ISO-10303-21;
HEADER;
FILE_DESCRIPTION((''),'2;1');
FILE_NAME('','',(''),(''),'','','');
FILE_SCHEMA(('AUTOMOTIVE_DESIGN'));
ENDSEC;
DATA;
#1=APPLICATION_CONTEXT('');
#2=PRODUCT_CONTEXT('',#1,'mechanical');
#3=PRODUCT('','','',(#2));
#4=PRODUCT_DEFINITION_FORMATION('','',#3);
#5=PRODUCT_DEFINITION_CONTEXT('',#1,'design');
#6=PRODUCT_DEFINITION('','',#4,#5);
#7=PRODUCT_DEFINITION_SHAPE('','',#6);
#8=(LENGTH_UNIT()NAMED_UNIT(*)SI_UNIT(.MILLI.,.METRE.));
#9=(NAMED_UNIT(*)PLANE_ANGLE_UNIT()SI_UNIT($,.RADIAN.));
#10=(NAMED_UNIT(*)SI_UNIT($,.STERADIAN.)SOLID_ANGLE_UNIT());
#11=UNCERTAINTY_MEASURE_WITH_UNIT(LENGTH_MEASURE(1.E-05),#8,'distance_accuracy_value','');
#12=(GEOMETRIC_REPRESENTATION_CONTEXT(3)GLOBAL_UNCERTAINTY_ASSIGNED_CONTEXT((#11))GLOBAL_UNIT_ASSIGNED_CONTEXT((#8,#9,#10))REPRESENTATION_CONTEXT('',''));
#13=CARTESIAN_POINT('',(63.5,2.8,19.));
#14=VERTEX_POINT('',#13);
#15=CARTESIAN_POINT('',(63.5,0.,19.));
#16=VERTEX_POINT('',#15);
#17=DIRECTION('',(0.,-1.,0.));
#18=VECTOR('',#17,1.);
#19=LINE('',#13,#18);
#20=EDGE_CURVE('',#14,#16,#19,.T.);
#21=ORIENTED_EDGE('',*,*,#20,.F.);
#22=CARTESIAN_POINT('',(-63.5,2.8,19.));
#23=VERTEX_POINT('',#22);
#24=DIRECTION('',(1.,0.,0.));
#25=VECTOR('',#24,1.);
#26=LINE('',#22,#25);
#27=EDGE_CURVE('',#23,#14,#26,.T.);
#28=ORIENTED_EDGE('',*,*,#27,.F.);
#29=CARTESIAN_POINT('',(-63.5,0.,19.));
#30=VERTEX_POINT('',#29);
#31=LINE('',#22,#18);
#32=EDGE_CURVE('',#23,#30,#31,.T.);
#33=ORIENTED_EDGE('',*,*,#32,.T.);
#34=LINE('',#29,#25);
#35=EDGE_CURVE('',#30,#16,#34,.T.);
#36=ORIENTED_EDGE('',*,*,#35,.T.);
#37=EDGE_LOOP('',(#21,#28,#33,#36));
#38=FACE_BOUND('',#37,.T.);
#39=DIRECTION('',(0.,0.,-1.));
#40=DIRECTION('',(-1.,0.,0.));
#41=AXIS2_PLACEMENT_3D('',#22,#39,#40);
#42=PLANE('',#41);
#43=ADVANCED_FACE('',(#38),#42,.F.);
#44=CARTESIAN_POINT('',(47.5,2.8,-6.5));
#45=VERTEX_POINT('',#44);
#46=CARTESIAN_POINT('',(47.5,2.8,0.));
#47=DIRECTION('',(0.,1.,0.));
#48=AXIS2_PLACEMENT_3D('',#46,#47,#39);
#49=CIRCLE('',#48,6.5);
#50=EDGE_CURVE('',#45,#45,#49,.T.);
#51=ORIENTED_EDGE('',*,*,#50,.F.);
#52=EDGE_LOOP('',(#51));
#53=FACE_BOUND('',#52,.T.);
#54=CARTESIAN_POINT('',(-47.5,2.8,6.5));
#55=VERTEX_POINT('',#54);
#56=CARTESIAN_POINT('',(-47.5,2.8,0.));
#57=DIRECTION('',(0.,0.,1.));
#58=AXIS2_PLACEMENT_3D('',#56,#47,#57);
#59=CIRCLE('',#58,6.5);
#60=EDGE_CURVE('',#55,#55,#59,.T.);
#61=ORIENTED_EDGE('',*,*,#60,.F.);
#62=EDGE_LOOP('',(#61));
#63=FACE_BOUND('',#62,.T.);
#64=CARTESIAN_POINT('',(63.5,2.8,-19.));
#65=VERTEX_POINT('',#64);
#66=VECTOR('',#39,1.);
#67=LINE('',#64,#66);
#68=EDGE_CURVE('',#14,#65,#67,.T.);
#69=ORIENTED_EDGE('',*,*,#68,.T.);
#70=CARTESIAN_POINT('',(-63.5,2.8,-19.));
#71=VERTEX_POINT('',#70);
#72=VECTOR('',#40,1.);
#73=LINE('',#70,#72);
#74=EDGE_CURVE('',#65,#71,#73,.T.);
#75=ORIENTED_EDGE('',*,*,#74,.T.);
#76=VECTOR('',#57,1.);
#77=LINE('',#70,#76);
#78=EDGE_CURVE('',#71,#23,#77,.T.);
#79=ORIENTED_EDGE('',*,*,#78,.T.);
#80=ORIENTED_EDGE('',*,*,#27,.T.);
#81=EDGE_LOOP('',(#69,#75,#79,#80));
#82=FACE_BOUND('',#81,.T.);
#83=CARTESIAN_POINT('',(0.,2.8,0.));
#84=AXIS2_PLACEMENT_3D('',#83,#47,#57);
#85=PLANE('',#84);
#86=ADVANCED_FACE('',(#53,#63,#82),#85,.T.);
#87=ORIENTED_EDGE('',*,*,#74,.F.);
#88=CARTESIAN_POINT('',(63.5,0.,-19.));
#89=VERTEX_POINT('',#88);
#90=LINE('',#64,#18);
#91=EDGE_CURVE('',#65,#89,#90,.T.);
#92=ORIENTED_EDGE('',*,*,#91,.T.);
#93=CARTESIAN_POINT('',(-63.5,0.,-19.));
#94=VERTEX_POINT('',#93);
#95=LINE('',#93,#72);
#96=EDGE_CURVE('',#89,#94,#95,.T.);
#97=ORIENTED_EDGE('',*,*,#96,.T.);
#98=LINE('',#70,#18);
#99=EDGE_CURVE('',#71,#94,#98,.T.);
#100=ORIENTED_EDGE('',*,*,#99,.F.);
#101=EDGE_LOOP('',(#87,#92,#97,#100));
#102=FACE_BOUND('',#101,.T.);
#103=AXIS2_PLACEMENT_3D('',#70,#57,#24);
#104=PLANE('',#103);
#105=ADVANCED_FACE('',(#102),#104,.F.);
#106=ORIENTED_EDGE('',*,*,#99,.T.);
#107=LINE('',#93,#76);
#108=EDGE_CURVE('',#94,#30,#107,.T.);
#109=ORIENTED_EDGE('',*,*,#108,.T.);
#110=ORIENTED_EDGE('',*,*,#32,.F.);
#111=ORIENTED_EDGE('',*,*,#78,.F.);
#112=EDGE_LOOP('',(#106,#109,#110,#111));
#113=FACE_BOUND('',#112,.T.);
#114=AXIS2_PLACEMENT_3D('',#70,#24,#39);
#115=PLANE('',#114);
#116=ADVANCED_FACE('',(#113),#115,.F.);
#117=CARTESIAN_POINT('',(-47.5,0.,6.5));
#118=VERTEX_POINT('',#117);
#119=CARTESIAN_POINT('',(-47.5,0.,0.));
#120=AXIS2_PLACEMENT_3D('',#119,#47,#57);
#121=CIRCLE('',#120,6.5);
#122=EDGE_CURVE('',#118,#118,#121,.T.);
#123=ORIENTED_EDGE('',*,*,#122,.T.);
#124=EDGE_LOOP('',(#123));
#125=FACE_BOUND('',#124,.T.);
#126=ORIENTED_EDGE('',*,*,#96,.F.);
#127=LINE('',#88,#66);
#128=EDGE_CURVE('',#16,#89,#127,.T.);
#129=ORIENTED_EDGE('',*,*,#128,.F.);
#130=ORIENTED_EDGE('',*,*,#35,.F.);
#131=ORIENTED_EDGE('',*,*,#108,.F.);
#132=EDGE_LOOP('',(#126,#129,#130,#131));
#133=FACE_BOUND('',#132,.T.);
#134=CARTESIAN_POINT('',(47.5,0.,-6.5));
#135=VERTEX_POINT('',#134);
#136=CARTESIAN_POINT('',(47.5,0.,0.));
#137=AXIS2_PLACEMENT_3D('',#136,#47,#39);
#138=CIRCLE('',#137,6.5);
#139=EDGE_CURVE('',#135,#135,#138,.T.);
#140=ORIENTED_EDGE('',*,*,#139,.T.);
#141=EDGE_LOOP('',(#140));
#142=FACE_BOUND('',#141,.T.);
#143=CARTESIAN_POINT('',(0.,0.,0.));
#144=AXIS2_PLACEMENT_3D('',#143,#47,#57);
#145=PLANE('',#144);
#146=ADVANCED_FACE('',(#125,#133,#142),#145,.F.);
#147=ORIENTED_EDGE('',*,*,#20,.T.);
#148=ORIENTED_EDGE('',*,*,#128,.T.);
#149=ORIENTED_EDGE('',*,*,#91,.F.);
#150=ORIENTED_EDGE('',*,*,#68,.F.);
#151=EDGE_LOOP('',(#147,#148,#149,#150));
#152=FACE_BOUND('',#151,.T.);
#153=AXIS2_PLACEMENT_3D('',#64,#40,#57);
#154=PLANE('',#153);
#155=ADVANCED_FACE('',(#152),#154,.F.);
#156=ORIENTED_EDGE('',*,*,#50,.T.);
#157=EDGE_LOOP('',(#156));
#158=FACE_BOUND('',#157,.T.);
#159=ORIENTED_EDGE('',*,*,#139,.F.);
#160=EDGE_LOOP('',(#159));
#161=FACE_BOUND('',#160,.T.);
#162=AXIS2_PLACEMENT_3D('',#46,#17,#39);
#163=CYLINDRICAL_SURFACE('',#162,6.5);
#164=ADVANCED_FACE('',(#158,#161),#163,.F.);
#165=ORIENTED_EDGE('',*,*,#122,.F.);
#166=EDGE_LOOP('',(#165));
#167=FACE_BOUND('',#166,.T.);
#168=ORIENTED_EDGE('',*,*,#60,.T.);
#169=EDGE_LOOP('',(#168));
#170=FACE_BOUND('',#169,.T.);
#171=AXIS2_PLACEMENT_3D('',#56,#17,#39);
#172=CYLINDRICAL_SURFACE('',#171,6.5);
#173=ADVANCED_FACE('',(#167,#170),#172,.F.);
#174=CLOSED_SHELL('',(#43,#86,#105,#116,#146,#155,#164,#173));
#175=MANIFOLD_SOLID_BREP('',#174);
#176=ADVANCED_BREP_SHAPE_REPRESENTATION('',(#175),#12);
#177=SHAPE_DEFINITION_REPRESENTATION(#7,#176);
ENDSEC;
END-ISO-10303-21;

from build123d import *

# Parameters (mm, degrees)
SKETCH1_W           = 127
SKETCH1_H           = 38
SKETCH1_R           = 6.5
BOSS_EXTRUDE1_DEPTH = 2.8


with BuildPart() as part:
    # Sketch1 → Boss-Extrude1 (new body)
    with BuildSketch(Plane(origin=(0, 0, 0), x_dir=(1, 0, 0), z_dir=(0, 1, 0))):
        Rectangle(SKETCH1_W, SKETCH1_H)
        with Locations(Location((-47.5, 0, 0), (0, 0, 270))):
            Circle(SKETCH1_R, mode=Mode.SUBTRACT)
        with Locations(Location((47.5, 0, 0), (0, 0, 90))):
            Circle(SKETCH1_R, mode=Mode.SUBTRACT)
    extrude(amount=BOSS_EXTRUDE1_DEPTH)


solid = part.part
